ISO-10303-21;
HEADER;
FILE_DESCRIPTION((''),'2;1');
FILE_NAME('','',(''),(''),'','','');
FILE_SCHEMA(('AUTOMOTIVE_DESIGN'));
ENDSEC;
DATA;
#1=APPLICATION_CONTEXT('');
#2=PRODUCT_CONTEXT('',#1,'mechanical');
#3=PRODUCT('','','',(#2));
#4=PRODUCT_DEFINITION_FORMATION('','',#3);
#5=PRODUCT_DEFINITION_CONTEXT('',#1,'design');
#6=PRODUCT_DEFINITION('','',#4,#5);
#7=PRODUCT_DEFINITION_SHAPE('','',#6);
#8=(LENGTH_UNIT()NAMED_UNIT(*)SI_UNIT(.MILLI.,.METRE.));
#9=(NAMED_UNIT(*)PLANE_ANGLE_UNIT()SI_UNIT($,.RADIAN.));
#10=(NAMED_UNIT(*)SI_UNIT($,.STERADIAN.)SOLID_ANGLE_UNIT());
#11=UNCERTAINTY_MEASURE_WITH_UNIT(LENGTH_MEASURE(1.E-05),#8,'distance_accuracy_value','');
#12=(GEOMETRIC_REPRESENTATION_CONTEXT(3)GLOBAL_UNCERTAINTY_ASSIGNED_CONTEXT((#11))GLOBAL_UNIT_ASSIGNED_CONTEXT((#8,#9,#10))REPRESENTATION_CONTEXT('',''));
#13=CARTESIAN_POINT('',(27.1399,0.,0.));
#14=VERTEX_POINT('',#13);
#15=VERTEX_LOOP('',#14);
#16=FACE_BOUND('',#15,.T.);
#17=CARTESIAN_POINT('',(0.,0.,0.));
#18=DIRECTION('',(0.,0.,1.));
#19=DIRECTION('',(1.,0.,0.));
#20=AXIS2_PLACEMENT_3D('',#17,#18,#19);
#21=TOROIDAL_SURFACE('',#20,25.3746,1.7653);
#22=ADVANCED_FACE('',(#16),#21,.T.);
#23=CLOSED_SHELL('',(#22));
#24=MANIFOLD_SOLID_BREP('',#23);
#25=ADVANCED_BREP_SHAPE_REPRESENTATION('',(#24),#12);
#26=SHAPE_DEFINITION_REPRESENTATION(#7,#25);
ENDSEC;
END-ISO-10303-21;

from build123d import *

# Parameters (mm, degrees)
SKETCH1_R = 1.7653


with BuildPart() as part:
    # Sketch1 → Revolve1 (revolve)
    with BuildSketch(Plane(origin=(0, 0, 0), x_dir=(0, -1, 0), z_dir=(1, 0, 0)), mode=Mode.PRIVATE) as revolve1_sk:
        with Locations((25.3746, 0)):
            Circle(SKETCH1_R)
    revolve(revolve1_sk.sketch.rotate(Axis((0, 0, 1.7653), (0, 0, -1)), 270), axis=Axis((0, 0, 1.7653), (0, 0, -1)))


solid = part.part
